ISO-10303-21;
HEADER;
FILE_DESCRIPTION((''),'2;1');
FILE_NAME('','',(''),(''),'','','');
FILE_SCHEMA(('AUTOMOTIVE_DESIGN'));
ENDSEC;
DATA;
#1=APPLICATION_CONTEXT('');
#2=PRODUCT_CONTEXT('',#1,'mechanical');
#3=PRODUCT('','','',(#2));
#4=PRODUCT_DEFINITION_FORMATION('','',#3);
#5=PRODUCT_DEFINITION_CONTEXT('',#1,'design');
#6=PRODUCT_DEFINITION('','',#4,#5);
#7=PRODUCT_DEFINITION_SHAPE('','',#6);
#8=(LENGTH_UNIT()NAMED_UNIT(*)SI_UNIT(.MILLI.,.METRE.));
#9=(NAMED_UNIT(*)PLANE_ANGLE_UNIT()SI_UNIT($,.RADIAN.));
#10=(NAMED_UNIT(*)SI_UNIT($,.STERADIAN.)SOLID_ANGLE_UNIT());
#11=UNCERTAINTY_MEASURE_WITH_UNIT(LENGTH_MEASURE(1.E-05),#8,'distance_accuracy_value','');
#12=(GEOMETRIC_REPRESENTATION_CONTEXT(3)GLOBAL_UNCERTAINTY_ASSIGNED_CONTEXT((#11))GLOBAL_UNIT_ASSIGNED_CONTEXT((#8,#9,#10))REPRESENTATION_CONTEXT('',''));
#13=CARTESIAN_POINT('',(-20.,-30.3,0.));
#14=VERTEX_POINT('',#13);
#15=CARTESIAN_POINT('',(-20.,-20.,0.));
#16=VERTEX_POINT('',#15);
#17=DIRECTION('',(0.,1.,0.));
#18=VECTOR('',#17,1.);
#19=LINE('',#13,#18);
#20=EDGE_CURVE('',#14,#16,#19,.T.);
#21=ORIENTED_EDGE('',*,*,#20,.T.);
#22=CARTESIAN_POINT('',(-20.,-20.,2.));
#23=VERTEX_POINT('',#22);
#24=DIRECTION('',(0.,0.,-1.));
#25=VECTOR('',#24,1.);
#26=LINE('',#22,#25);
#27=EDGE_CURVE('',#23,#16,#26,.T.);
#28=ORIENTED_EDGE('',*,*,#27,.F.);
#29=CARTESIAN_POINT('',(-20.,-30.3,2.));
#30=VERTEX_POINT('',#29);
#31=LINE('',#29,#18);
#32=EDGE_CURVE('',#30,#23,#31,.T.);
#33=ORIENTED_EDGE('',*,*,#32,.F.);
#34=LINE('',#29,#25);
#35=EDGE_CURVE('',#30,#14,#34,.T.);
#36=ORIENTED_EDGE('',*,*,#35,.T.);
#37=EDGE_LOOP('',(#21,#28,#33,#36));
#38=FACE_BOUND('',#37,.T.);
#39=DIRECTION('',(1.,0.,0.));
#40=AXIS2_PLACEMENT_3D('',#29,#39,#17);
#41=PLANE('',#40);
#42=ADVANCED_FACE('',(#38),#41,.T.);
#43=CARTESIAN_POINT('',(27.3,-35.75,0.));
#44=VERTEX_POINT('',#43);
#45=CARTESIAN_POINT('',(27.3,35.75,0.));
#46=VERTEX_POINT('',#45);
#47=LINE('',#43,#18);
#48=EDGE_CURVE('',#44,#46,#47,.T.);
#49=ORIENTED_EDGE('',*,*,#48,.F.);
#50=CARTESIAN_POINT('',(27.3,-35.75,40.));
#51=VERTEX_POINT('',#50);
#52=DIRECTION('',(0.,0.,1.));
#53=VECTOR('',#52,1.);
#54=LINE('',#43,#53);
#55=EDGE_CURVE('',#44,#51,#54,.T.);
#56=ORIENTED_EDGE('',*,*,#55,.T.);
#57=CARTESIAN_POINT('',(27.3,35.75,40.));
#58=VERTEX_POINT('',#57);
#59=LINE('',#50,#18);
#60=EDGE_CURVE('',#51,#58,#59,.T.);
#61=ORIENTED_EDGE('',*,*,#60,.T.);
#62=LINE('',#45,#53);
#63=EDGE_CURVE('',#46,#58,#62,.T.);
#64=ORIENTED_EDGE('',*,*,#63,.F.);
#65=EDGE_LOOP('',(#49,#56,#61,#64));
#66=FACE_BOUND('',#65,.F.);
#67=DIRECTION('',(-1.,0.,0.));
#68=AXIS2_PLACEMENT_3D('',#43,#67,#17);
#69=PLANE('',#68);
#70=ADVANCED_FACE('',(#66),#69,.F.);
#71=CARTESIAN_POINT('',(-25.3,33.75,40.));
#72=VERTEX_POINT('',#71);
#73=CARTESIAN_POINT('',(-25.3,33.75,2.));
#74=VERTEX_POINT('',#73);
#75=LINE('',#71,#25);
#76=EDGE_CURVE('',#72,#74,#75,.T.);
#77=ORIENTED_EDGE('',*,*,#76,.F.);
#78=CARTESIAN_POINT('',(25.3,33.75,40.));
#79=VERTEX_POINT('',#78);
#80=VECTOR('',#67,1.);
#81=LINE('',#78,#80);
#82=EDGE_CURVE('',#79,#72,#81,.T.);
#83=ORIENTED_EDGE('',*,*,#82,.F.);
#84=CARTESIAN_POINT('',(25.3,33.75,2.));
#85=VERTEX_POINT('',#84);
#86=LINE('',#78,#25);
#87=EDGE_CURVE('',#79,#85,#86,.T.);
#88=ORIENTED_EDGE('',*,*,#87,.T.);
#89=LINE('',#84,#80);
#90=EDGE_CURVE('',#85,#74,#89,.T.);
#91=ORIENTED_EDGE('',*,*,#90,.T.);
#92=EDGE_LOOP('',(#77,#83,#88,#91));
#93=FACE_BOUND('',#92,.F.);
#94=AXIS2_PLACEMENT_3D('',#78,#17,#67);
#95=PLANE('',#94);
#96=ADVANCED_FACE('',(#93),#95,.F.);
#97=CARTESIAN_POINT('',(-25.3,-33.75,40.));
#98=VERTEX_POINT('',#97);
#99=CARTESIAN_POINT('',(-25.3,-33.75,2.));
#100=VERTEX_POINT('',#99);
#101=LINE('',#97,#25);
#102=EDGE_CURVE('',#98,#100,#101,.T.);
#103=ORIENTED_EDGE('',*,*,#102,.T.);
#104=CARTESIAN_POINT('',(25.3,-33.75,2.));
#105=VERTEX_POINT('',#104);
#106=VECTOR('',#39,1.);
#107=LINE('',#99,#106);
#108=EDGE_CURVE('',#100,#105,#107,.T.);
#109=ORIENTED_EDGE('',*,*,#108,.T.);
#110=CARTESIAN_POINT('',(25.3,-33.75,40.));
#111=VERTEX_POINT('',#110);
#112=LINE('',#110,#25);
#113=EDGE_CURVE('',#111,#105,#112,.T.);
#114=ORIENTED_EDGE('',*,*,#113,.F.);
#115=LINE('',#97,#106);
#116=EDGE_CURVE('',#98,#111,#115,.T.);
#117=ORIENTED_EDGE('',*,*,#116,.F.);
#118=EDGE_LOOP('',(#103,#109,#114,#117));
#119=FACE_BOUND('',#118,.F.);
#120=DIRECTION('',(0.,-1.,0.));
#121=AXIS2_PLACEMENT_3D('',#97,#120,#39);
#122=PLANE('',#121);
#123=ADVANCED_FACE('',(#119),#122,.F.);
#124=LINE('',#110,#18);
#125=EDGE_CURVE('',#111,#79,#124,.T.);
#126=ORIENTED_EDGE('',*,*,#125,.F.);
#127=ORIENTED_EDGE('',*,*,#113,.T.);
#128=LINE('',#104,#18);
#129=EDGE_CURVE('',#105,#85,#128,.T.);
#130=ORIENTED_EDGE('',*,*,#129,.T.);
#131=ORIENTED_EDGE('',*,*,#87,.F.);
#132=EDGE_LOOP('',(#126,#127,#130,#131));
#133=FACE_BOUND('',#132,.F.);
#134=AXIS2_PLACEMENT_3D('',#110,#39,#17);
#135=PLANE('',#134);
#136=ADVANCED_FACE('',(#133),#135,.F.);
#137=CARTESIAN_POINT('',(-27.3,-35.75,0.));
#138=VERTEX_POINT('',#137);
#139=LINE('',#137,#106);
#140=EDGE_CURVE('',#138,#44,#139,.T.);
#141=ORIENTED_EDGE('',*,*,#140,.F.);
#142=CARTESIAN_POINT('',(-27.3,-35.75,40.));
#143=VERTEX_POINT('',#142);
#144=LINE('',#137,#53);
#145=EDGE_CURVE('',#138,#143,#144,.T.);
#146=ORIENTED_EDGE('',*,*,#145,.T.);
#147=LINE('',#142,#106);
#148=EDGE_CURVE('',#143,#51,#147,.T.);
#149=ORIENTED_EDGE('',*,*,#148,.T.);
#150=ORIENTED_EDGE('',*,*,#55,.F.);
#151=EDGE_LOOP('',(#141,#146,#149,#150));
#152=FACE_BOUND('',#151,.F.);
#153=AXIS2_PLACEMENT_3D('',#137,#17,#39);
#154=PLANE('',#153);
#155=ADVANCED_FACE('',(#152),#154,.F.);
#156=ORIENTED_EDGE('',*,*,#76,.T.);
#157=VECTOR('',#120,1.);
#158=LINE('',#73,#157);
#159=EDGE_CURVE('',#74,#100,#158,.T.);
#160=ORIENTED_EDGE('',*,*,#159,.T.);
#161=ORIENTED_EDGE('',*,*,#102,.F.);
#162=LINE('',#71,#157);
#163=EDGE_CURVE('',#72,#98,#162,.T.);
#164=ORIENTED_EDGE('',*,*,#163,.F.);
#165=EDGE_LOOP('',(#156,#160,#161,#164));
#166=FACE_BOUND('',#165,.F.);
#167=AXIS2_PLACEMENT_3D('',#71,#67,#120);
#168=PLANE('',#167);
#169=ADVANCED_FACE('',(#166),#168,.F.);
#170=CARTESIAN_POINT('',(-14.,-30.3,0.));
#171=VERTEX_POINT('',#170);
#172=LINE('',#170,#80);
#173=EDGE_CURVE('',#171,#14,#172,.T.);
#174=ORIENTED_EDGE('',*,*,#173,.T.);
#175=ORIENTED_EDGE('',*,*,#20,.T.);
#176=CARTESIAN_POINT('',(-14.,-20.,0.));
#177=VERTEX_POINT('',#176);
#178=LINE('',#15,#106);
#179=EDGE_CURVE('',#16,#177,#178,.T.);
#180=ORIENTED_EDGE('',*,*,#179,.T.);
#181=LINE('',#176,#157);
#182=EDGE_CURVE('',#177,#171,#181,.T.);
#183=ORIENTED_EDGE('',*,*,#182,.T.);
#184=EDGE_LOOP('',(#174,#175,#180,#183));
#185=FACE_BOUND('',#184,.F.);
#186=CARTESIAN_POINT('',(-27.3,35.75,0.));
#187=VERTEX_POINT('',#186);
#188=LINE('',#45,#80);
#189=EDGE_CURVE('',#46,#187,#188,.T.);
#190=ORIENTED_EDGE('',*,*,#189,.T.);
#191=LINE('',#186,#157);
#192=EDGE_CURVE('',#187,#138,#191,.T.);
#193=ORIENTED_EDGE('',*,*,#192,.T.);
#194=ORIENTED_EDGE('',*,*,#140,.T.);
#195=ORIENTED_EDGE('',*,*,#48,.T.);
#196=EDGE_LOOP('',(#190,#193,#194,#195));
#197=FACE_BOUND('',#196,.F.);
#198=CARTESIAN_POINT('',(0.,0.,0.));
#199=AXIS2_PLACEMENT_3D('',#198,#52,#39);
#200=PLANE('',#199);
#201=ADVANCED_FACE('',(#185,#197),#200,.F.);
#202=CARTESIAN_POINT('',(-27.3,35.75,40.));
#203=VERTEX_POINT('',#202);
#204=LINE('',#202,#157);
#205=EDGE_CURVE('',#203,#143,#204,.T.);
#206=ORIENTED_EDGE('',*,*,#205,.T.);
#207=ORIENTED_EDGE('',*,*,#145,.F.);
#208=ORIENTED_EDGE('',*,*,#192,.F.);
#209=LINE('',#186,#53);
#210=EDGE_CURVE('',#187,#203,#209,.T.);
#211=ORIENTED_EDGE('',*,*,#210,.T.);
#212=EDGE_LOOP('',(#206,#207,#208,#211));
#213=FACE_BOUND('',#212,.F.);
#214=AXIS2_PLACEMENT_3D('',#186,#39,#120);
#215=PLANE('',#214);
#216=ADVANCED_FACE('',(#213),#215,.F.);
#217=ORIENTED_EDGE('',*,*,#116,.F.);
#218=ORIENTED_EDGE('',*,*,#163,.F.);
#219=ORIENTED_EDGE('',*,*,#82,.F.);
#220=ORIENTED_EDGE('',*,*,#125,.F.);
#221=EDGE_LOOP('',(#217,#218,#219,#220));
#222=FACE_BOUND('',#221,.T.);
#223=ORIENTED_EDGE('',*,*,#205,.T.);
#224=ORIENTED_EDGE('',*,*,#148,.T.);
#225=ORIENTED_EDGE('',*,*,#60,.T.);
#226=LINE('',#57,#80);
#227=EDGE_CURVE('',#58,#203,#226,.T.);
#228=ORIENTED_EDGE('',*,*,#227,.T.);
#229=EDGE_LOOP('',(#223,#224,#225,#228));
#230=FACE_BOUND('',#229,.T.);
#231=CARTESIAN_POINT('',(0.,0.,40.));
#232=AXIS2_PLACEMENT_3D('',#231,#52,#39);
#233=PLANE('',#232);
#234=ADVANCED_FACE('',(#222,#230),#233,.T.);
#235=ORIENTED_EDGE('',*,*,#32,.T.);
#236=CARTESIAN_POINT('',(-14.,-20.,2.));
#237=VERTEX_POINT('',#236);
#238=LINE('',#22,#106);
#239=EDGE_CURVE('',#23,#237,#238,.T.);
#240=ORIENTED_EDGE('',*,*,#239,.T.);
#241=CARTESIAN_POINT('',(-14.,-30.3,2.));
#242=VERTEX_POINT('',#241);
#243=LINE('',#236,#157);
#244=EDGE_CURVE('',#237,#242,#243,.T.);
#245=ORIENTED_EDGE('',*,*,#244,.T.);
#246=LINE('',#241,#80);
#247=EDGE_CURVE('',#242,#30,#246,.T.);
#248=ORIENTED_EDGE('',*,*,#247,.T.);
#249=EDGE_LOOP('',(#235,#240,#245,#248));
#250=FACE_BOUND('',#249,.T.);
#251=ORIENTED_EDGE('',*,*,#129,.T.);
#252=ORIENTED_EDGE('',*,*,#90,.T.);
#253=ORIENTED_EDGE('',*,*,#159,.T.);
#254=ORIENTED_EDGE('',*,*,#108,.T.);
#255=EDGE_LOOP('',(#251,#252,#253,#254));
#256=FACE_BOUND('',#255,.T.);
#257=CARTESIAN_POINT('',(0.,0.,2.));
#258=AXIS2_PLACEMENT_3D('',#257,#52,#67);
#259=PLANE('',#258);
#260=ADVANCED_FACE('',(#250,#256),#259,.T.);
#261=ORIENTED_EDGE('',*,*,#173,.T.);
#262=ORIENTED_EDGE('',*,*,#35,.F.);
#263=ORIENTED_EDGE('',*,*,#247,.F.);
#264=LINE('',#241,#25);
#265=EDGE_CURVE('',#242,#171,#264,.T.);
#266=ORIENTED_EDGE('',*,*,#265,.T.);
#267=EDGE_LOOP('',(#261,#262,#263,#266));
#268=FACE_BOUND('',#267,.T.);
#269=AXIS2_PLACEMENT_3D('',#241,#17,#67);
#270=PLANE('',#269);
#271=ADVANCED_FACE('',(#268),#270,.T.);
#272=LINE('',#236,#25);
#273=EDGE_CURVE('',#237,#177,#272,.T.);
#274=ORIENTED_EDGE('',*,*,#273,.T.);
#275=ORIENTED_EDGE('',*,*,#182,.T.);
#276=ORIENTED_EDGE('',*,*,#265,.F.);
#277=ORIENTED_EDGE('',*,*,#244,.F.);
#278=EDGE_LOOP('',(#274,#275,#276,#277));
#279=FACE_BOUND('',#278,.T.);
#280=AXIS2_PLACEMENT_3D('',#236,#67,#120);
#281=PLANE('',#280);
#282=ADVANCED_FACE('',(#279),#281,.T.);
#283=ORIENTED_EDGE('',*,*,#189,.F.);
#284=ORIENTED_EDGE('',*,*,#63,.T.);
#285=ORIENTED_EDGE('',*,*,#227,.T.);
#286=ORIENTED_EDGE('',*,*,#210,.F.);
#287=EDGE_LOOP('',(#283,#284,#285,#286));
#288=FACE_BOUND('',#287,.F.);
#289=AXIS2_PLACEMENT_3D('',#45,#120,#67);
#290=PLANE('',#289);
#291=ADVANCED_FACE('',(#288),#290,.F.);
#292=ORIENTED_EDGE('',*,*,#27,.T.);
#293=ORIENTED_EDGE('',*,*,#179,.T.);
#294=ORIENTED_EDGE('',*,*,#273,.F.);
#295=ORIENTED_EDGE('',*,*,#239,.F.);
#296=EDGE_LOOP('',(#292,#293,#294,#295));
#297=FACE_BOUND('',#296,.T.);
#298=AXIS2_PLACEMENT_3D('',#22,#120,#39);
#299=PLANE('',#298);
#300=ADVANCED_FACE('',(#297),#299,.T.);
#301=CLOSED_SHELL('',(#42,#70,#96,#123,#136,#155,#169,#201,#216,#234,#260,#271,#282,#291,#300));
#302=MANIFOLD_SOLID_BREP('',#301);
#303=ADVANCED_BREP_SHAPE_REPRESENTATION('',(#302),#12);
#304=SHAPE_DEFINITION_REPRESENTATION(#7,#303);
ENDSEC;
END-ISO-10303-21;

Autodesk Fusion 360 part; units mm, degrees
sketch "Sketch1" plane through (0, 0, 0) normal (0, 0, 1) x (1, 0, 0)
  line L0 (27.3, 35.75) -> (-27.3, 35.75)
  line L1 (-27.3, 35.75) -> (-27.3, -35.75)
  line L2 (-27.3, -35.75) -> (27.3, -35.75)
  line L3 (27.3, -35.75) -> (27.3, 35.75)
  line L4 (27.3, 35.75) -> (-27.3, -35.75) construction
  line L5 (-27.3, 35.75) -> (27.3, -35.75) construction
  dimension "d1" = 54.6
  dimension "d2" = 71.5
extrude "Extrude1" add sketch "Sketch1" along normal blind 40
sketch "Sketch2" plane through (0, 0, 40) normal (0, 0, 1) x (-1, 0, 0)
  line L0 (-27.3, 35.75) -> (-27.3, -35.75)
  line L1 (-27.3, -35.75) -> (27.3, -35.75)
  line L2 (27.3, -35.75) -> (27.3, 35.75)
  line L3 (27.3, 35.75) -> (-27.3, 35.75)
  line L4 (-25.3, -33.75) -> (25.3, -33.75)
  line L5 (25.3, -33.75) -> (25.3, 33.75)
  line L6 (25.3, 33.75) -> (-25.3, 33.75)
  line L7 (-25.3, 33.75) -> (-25.3, -33.75)
  line L8 (-25.3, -33.75) -> (25.3, 33.75) construction
  line L9 (25.3, -33.75) -> (-25.3, 33.75) construction
  dimension "d5" = 50.6
  dimension "d6" = 67.5
extrude "Extrude2" cut sketch "Sketch2" against normal blind 38 contours L4 L5 L6 L7
sketch "Sketch3" plane through (0, 0, 2) normal (0, 0, 1) x (-1, 0, 0)
  line L0 (-25.3, 33.75) -> (-25.3, -33.75)
  line L1 (-25.3, -33.75) -> (25.3, -33.75)
  line L2 (25.3, -33.75) -> (25.3, 33.75)
  line L3 (25.3, 33.75) -> (-25.3, 33.75)
  line L4 (20, 20) -> (14, 20)
  line L5 (14, 20) -> (14, 30.3)
  line L6 (14, 30.3) -> (20, 30.3)
  line L7 (20, 30.3) -> (20, 20)
  dimension "d9" = 6
  dimension "d10" = 10.3
extrude "Extrude3" cut sketch "Sketch3" against normal blind 2 contours L4 L5 L6 L7
